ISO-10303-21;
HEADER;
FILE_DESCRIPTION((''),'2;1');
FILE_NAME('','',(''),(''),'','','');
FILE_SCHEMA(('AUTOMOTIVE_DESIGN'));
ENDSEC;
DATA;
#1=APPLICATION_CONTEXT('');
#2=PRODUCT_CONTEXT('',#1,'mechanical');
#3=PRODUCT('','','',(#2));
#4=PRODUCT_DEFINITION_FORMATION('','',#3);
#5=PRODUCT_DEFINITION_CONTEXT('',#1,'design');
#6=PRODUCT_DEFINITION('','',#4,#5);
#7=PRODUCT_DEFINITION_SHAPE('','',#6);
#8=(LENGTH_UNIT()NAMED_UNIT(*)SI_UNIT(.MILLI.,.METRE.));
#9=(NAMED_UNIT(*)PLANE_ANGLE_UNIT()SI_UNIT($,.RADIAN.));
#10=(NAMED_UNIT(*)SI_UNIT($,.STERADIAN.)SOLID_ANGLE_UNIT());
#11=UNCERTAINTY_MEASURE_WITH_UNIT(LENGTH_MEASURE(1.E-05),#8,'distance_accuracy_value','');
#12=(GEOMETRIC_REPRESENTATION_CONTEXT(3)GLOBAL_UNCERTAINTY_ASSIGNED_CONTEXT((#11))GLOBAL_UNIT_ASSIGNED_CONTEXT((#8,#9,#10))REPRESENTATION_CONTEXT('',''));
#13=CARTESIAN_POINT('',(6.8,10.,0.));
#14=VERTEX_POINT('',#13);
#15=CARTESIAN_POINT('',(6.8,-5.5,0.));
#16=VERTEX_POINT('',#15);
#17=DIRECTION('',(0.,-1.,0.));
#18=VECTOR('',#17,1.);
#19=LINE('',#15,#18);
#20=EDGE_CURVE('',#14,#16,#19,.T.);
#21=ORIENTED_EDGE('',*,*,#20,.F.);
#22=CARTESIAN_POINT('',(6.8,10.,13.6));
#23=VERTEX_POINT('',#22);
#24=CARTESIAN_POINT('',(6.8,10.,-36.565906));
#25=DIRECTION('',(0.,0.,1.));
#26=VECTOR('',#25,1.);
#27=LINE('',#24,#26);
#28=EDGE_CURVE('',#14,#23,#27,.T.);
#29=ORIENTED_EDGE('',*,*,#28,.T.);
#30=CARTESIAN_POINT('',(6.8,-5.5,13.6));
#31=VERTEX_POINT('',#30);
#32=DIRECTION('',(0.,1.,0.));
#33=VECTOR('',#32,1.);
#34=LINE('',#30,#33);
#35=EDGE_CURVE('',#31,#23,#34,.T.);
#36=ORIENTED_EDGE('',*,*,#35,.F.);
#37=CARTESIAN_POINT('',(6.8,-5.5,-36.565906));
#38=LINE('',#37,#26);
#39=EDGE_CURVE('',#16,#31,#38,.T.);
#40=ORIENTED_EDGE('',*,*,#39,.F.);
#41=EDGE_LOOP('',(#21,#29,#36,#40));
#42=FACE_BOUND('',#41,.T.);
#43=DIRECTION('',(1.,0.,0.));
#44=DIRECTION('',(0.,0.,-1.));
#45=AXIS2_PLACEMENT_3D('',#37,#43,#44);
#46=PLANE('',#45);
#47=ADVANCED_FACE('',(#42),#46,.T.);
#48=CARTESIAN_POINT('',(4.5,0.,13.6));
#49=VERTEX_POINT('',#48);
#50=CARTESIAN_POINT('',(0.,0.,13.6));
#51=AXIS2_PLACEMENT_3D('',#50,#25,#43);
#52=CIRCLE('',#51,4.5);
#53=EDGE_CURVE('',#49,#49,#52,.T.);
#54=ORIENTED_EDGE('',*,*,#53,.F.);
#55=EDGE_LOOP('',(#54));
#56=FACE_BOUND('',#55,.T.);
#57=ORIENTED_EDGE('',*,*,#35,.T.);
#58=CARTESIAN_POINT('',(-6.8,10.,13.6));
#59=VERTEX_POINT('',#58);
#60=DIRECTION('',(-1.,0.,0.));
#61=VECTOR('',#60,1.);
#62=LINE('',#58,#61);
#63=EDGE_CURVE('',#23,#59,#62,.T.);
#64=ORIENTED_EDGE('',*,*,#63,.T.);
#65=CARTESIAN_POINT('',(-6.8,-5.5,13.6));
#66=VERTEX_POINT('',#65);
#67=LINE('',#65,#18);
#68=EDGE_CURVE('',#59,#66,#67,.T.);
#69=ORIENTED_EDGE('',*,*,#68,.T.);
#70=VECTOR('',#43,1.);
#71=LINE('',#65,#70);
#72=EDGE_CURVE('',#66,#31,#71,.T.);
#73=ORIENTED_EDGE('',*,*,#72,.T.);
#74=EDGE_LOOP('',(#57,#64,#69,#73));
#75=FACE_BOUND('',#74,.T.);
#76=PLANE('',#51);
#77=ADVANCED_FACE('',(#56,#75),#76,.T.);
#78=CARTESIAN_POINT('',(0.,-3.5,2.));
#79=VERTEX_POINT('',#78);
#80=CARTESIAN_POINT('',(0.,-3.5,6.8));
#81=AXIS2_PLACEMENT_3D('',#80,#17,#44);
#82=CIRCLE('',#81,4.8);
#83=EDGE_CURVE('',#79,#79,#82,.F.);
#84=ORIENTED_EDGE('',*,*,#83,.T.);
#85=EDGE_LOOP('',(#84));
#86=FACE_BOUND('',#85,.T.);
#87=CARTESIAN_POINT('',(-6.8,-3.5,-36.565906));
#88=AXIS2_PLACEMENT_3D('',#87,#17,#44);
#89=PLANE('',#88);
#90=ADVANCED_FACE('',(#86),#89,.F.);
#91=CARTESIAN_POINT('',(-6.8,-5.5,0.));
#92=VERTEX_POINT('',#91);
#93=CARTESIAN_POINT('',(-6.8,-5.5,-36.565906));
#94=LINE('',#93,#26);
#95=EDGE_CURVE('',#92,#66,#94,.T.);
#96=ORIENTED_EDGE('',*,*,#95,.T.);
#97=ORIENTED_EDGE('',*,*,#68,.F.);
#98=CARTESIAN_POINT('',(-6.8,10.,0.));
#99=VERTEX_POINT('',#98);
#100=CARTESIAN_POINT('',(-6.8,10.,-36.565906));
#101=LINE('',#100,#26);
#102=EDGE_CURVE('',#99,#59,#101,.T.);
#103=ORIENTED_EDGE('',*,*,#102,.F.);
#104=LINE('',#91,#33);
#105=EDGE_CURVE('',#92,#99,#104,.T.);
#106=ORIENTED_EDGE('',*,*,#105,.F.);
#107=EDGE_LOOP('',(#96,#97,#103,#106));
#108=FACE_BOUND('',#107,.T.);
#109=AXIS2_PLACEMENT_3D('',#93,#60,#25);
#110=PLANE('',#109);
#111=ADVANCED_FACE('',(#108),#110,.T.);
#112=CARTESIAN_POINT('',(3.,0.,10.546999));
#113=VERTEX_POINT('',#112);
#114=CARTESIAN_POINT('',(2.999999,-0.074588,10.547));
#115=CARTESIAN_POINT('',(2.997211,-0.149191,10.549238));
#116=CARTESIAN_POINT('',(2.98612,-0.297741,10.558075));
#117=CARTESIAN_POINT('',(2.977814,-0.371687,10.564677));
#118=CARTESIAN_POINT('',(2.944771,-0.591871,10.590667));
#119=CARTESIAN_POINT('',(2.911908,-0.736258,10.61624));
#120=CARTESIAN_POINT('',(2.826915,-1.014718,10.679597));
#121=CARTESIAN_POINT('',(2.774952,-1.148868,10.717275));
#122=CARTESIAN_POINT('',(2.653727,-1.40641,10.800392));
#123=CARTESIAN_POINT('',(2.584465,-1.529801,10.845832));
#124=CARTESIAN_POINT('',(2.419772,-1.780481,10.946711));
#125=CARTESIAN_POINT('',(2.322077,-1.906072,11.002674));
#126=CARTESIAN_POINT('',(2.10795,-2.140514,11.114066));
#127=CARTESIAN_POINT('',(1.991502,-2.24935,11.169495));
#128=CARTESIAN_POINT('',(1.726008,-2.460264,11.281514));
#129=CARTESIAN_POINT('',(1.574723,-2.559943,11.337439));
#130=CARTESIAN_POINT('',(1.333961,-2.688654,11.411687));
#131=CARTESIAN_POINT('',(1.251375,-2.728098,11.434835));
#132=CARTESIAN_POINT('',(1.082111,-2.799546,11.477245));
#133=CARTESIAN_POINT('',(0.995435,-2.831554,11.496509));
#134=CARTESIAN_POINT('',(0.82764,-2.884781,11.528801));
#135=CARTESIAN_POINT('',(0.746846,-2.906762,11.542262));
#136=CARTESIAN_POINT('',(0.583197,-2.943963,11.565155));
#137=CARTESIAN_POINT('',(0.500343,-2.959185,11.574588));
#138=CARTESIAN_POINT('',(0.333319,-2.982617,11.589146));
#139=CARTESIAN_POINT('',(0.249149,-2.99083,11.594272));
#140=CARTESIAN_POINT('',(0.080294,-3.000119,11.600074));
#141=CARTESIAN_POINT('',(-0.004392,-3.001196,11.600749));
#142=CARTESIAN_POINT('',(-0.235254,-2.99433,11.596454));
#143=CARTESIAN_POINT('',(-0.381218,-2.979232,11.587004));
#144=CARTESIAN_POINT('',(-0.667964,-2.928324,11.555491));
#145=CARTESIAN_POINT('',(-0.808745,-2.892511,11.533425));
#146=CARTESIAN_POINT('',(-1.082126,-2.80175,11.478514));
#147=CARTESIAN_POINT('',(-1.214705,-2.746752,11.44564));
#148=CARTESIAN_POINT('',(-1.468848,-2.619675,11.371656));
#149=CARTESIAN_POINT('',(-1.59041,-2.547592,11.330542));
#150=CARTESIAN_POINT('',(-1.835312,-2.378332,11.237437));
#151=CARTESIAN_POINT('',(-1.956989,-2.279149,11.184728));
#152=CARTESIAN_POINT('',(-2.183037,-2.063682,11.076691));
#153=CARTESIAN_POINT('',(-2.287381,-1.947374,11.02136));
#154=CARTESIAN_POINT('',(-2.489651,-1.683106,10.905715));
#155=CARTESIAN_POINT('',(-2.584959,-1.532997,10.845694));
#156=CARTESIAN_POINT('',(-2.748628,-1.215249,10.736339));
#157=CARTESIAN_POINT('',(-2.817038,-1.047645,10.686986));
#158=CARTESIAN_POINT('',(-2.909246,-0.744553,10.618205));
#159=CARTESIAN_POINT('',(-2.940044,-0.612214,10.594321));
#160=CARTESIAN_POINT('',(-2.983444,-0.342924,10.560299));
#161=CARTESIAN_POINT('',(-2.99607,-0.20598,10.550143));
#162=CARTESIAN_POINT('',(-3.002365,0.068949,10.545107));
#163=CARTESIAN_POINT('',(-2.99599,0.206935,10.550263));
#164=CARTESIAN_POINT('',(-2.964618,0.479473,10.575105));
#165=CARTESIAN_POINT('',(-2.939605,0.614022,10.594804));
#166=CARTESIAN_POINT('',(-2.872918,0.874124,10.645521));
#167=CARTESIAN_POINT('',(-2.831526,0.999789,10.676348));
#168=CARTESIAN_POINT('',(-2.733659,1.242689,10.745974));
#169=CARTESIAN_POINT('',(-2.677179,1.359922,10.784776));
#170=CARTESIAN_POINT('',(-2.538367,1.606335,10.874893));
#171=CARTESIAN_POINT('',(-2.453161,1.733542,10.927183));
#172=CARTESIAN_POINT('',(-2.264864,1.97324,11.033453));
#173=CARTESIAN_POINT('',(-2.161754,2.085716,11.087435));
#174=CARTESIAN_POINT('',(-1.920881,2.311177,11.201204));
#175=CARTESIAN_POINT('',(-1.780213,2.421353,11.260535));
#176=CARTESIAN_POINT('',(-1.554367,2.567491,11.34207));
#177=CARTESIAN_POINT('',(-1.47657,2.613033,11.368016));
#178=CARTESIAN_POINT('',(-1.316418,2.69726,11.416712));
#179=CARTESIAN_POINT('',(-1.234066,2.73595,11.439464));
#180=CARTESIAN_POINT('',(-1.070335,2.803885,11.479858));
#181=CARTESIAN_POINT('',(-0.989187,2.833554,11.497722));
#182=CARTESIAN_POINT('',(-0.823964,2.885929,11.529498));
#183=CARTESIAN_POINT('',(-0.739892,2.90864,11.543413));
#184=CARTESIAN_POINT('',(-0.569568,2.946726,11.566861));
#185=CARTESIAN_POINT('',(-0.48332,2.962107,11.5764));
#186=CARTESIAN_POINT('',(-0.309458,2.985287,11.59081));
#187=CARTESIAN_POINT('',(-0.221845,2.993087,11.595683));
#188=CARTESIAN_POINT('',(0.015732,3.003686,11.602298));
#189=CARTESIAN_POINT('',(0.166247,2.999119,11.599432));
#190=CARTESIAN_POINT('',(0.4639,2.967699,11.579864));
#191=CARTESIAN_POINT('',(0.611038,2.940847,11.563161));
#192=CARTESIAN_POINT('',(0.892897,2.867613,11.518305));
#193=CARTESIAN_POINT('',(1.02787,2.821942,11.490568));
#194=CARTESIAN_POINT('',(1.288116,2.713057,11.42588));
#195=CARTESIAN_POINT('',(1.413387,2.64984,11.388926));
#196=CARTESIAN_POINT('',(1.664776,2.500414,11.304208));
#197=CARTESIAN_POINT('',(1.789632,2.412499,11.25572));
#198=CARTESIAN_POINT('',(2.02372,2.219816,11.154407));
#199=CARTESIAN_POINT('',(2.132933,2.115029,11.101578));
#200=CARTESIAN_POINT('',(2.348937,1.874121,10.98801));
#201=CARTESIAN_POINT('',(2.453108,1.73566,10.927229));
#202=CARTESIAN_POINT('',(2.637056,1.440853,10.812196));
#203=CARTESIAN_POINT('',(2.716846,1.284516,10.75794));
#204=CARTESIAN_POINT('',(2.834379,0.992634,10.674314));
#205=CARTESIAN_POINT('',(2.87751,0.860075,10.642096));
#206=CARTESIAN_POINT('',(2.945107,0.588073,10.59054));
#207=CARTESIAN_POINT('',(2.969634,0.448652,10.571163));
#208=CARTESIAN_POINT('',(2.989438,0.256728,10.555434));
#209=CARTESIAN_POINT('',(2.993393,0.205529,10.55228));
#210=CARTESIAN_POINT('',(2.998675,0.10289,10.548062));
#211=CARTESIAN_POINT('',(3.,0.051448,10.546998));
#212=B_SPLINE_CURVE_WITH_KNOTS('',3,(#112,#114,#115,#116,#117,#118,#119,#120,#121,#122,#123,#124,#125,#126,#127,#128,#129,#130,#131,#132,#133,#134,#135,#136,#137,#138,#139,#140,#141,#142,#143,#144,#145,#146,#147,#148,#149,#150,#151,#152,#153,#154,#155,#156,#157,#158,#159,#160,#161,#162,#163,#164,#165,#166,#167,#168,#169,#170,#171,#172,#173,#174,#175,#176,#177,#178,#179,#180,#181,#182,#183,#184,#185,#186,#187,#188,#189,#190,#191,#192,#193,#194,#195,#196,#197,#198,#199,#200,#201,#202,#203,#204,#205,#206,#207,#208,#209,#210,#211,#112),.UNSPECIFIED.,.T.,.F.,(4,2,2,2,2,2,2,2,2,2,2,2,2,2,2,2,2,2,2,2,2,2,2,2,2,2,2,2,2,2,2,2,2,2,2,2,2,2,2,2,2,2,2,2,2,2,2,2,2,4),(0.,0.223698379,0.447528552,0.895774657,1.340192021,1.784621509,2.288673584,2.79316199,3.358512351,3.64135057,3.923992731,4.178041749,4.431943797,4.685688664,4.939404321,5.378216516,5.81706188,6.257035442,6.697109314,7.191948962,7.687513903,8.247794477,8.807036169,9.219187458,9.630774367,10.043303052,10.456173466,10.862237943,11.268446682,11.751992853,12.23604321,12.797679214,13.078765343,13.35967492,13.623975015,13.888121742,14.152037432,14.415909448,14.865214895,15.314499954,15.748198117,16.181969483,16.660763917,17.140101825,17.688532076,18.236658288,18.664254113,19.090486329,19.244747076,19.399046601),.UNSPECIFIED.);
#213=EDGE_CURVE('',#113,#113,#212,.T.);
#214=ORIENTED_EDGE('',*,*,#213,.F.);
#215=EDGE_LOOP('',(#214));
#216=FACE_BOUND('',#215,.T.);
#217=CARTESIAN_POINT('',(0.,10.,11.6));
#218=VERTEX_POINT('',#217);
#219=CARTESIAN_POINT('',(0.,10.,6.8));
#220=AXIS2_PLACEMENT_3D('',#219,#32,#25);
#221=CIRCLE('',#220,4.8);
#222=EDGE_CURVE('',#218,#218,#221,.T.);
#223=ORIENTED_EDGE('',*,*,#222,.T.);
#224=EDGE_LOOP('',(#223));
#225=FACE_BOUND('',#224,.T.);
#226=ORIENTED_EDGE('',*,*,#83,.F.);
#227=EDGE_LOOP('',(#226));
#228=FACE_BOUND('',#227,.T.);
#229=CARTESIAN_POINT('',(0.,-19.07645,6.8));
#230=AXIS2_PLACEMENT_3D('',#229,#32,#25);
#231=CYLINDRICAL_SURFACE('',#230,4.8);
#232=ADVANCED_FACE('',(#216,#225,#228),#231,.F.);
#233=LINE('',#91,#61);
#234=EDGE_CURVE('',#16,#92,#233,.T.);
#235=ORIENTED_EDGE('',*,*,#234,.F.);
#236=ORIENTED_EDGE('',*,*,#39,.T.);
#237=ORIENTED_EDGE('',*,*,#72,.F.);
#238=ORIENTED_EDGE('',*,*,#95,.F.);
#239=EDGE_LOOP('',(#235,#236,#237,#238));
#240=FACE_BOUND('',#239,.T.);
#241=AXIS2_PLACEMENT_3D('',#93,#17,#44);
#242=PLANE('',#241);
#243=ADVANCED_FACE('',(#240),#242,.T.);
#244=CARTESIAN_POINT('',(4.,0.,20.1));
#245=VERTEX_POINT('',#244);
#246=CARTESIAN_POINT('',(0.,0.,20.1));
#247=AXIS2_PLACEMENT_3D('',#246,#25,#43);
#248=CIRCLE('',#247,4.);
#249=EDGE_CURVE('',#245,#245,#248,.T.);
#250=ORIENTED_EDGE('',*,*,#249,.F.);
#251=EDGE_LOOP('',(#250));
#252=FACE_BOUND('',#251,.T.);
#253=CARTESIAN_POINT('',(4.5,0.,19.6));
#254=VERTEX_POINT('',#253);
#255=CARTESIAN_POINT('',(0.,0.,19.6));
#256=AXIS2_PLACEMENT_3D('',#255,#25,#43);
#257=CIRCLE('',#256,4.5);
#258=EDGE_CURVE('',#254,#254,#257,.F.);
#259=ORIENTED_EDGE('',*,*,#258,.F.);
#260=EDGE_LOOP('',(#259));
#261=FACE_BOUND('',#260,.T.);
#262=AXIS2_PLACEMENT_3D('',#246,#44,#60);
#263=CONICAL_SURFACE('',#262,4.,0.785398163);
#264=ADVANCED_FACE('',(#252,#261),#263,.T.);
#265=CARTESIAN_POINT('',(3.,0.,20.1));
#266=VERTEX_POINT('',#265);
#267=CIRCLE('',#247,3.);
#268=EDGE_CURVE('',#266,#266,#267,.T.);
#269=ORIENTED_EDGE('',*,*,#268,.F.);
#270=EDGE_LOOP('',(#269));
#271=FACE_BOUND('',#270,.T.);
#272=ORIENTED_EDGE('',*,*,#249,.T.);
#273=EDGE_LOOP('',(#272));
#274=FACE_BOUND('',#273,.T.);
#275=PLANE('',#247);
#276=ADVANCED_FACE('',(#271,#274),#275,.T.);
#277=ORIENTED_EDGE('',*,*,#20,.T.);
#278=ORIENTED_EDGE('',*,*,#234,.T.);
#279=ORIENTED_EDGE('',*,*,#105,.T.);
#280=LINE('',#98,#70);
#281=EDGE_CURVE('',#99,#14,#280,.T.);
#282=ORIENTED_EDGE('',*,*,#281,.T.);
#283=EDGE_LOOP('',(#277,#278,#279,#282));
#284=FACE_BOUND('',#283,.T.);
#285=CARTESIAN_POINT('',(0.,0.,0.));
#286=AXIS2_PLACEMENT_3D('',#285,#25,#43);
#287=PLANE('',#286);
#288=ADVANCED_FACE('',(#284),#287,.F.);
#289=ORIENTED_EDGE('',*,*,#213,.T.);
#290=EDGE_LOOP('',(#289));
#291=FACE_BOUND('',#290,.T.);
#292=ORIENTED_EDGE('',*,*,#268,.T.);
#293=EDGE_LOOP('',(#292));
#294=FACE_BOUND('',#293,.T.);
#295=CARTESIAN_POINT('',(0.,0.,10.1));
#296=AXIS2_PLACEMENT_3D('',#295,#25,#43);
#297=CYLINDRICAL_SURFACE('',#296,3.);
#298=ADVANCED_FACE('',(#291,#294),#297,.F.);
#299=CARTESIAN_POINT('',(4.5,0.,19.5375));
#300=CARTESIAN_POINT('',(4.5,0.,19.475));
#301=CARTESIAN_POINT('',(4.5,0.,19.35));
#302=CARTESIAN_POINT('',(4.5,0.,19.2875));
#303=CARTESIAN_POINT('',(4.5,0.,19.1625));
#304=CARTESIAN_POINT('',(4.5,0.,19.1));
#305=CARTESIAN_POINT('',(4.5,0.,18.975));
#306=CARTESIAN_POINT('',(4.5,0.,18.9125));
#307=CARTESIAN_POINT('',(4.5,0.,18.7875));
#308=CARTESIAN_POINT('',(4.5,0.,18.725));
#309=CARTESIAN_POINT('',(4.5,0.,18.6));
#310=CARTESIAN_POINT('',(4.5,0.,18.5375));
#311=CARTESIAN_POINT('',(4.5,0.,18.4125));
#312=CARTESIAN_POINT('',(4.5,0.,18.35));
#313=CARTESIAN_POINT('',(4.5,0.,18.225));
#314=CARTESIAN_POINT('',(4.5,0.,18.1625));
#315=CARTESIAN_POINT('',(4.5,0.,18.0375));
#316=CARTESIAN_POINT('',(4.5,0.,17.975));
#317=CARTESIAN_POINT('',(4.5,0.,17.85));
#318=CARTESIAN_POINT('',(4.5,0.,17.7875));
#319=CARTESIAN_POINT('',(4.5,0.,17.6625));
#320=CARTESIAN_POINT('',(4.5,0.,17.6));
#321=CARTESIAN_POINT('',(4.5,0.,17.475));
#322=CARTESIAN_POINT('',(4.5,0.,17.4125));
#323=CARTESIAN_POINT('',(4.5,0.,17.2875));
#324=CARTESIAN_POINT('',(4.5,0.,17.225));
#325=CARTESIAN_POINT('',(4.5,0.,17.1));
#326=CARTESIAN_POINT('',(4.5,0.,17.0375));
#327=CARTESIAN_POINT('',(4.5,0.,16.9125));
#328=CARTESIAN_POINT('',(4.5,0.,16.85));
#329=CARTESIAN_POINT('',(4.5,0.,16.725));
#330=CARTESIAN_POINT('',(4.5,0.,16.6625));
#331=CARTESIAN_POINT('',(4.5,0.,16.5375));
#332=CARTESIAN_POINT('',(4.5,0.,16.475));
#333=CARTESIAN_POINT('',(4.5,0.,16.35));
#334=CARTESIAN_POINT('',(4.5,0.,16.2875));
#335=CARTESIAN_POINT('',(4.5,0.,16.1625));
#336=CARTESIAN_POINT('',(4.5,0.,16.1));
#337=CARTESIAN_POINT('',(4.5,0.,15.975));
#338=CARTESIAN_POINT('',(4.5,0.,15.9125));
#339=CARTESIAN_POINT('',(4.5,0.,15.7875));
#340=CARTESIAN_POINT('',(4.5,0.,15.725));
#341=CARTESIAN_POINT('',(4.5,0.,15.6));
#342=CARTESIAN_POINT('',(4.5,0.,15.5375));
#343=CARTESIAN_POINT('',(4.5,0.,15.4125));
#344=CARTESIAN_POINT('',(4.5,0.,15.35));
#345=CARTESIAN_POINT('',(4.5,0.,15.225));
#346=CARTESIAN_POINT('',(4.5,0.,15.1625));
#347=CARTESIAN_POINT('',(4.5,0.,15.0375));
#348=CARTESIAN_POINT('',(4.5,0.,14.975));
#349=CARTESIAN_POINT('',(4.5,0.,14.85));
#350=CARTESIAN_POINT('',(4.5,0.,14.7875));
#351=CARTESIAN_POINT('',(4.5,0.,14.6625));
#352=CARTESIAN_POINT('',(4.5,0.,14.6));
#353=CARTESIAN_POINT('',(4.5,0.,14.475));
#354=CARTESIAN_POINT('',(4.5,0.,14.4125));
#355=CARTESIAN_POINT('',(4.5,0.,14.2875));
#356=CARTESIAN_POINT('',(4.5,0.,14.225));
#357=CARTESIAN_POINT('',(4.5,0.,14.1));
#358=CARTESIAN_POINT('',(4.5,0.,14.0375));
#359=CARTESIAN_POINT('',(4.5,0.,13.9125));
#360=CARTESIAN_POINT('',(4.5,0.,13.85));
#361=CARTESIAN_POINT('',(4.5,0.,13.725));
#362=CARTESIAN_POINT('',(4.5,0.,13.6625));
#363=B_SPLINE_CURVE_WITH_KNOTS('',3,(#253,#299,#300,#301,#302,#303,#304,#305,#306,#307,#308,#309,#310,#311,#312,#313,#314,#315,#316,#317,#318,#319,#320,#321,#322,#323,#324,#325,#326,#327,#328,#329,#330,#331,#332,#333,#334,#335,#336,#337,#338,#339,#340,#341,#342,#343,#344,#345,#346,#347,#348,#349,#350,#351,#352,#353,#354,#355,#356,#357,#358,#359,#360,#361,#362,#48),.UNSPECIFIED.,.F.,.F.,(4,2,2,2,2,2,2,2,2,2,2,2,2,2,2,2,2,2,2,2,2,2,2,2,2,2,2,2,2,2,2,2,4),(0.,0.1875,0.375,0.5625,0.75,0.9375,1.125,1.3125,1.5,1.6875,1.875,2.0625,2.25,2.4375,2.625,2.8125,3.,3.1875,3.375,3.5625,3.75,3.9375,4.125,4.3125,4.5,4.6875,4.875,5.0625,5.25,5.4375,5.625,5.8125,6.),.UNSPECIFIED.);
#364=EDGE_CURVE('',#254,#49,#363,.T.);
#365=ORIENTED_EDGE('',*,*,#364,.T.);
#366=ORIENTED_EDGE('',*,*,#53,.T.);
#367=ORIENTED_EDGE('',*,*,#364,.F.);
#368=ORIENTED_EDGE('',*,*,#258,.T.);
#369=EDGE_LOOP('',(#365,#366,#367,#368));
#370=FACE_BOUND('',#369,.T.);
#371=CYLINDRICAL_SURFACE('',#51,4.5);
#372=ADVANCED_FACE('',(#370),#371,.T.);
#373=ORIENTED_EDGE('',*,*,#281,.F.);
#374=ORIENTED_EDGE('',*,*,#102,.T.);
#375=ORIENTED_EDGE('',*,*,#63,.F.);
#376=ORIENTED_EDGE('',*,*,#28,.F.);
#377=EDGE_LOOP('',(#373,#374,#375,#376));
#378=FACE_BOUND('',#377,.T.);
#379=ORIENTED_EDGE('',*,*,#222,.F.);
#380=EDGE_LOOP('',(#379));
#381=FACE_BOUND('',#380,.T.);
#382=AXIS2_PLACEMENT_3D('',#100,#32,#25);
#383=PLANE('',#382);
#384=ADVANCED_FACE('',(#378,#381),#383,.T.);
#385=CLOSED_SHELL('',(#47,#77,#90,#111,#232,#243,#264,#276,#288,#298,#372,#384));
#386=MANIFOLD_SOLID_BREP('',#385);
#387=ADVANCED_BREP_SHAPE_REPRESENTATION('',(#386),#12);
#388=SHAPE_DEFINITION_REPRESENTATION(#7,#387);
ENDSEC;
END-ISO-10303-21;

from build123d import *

# Parameters (mm, degrees)
SKETCH1_R           = 12.8
BOSS_EXTRUDE1_DEPTH = 20.1
SKETCH2_OUTSIDE_W   = 35.882
SKETCH2_OUTSIDE_H   = 35.882
SKETCH2_OUTSIDE_R   = 4.5
CUT_EXTRUDE1_DEPTH  = 6.5
CHAMFER1_SIZE       = 0.5
SKETCH3_R           = 3
CUT_EXTRUDE2_DEPTH  = 10
SKETCH4_OUTSIDE_W   = 35.882
SKETCH4_OUTSIDE_H   = 35.882
SKETCH4_OUTSIDE_W_2 = 13.6
SKETCH4_OUTSIDE_H_2 = 15.5
CUT_EXTRUDE3_DEPTH  = 13.6
SKETCH5_R           = 4.8
CUT_EXTRUDE4_DEPTH  = 13.5


with BuildPart() as part:
    # Sketch1 → Boss-Extrude1 (new body)
    with BuildSketch(Plane.XY):
        with Locations(Location((0, 0, 0), (0, 0, 180))):
            Circle(SKETCH1_R)
    extrude(amount=BOSS_EXTRUDE1_DEPTH)

    # Sketch2 outside → Cut-Extrude1 (cut)
    with BuildSketch(Plane.XY.offset(20.1)):
        Rectangle(SKETCH2_OUTSIDE_W, SKETCH2_OUTSIDE_H)
        Circle(SKETCH2_OUTSIDE_R, mode=Mode.SUBTRACT)
    extrude(amount=-CUT_EXTRUDE1_DEPTH, mode=Mode.SUBTRACT)

    # Chamfer1
    chamfer1_edges = [part.edges().sort_by_distance(p)[0] for p in [
        (-4.5, 0, 20.1),
    ]]
    chamfer(chamfer1_edges, length=CHAMFER1_SIZE)

    # Sketch3 → Cut-Extrude2 (cut)
    with BuildSketch(Plane.XY.offset(20.1)):
        Circle(SKETCH3_R)
    extrude(amount=-CUT_EXTRUDE2_DEPTH, mode=Mode.SUBTRACT)

    # Sketch4 outside → Cut-Extrude3 (cut)
    with BuildSketch(Plane.XY.offset(13.6)):
        Rectangle(SKETCH4_OUTSIDE_W, SKETCH4_OUTSIDE_H)
        with Locations((0, 2.25)):
            Rectangle(SKETCH4_OUTSIDE_W_2, SKETCH4_OUTSIDE_H_2, mode=Mode.SUBTRACT)
    extrude(amount=-CUT_EXTRUDE3_DEPTH, mode=Mode.SUBTRACT)

    # Sketch5 → Cut-Extrude4 (cut)
    with BuildSketch(Plane(origin=(0, 10, 0), x_dir=(1, 0, 0), z_dir=(0, 1, 0))):
        with Locations(Location((0, -6.8, 0), (0, 0, 270))):
            Circle(SKETCH5_R)
    extrude(amount=-CUT_EXTRUDE4_DEPTH, mode=Mode.SUBTRACT)


solid = part.part
